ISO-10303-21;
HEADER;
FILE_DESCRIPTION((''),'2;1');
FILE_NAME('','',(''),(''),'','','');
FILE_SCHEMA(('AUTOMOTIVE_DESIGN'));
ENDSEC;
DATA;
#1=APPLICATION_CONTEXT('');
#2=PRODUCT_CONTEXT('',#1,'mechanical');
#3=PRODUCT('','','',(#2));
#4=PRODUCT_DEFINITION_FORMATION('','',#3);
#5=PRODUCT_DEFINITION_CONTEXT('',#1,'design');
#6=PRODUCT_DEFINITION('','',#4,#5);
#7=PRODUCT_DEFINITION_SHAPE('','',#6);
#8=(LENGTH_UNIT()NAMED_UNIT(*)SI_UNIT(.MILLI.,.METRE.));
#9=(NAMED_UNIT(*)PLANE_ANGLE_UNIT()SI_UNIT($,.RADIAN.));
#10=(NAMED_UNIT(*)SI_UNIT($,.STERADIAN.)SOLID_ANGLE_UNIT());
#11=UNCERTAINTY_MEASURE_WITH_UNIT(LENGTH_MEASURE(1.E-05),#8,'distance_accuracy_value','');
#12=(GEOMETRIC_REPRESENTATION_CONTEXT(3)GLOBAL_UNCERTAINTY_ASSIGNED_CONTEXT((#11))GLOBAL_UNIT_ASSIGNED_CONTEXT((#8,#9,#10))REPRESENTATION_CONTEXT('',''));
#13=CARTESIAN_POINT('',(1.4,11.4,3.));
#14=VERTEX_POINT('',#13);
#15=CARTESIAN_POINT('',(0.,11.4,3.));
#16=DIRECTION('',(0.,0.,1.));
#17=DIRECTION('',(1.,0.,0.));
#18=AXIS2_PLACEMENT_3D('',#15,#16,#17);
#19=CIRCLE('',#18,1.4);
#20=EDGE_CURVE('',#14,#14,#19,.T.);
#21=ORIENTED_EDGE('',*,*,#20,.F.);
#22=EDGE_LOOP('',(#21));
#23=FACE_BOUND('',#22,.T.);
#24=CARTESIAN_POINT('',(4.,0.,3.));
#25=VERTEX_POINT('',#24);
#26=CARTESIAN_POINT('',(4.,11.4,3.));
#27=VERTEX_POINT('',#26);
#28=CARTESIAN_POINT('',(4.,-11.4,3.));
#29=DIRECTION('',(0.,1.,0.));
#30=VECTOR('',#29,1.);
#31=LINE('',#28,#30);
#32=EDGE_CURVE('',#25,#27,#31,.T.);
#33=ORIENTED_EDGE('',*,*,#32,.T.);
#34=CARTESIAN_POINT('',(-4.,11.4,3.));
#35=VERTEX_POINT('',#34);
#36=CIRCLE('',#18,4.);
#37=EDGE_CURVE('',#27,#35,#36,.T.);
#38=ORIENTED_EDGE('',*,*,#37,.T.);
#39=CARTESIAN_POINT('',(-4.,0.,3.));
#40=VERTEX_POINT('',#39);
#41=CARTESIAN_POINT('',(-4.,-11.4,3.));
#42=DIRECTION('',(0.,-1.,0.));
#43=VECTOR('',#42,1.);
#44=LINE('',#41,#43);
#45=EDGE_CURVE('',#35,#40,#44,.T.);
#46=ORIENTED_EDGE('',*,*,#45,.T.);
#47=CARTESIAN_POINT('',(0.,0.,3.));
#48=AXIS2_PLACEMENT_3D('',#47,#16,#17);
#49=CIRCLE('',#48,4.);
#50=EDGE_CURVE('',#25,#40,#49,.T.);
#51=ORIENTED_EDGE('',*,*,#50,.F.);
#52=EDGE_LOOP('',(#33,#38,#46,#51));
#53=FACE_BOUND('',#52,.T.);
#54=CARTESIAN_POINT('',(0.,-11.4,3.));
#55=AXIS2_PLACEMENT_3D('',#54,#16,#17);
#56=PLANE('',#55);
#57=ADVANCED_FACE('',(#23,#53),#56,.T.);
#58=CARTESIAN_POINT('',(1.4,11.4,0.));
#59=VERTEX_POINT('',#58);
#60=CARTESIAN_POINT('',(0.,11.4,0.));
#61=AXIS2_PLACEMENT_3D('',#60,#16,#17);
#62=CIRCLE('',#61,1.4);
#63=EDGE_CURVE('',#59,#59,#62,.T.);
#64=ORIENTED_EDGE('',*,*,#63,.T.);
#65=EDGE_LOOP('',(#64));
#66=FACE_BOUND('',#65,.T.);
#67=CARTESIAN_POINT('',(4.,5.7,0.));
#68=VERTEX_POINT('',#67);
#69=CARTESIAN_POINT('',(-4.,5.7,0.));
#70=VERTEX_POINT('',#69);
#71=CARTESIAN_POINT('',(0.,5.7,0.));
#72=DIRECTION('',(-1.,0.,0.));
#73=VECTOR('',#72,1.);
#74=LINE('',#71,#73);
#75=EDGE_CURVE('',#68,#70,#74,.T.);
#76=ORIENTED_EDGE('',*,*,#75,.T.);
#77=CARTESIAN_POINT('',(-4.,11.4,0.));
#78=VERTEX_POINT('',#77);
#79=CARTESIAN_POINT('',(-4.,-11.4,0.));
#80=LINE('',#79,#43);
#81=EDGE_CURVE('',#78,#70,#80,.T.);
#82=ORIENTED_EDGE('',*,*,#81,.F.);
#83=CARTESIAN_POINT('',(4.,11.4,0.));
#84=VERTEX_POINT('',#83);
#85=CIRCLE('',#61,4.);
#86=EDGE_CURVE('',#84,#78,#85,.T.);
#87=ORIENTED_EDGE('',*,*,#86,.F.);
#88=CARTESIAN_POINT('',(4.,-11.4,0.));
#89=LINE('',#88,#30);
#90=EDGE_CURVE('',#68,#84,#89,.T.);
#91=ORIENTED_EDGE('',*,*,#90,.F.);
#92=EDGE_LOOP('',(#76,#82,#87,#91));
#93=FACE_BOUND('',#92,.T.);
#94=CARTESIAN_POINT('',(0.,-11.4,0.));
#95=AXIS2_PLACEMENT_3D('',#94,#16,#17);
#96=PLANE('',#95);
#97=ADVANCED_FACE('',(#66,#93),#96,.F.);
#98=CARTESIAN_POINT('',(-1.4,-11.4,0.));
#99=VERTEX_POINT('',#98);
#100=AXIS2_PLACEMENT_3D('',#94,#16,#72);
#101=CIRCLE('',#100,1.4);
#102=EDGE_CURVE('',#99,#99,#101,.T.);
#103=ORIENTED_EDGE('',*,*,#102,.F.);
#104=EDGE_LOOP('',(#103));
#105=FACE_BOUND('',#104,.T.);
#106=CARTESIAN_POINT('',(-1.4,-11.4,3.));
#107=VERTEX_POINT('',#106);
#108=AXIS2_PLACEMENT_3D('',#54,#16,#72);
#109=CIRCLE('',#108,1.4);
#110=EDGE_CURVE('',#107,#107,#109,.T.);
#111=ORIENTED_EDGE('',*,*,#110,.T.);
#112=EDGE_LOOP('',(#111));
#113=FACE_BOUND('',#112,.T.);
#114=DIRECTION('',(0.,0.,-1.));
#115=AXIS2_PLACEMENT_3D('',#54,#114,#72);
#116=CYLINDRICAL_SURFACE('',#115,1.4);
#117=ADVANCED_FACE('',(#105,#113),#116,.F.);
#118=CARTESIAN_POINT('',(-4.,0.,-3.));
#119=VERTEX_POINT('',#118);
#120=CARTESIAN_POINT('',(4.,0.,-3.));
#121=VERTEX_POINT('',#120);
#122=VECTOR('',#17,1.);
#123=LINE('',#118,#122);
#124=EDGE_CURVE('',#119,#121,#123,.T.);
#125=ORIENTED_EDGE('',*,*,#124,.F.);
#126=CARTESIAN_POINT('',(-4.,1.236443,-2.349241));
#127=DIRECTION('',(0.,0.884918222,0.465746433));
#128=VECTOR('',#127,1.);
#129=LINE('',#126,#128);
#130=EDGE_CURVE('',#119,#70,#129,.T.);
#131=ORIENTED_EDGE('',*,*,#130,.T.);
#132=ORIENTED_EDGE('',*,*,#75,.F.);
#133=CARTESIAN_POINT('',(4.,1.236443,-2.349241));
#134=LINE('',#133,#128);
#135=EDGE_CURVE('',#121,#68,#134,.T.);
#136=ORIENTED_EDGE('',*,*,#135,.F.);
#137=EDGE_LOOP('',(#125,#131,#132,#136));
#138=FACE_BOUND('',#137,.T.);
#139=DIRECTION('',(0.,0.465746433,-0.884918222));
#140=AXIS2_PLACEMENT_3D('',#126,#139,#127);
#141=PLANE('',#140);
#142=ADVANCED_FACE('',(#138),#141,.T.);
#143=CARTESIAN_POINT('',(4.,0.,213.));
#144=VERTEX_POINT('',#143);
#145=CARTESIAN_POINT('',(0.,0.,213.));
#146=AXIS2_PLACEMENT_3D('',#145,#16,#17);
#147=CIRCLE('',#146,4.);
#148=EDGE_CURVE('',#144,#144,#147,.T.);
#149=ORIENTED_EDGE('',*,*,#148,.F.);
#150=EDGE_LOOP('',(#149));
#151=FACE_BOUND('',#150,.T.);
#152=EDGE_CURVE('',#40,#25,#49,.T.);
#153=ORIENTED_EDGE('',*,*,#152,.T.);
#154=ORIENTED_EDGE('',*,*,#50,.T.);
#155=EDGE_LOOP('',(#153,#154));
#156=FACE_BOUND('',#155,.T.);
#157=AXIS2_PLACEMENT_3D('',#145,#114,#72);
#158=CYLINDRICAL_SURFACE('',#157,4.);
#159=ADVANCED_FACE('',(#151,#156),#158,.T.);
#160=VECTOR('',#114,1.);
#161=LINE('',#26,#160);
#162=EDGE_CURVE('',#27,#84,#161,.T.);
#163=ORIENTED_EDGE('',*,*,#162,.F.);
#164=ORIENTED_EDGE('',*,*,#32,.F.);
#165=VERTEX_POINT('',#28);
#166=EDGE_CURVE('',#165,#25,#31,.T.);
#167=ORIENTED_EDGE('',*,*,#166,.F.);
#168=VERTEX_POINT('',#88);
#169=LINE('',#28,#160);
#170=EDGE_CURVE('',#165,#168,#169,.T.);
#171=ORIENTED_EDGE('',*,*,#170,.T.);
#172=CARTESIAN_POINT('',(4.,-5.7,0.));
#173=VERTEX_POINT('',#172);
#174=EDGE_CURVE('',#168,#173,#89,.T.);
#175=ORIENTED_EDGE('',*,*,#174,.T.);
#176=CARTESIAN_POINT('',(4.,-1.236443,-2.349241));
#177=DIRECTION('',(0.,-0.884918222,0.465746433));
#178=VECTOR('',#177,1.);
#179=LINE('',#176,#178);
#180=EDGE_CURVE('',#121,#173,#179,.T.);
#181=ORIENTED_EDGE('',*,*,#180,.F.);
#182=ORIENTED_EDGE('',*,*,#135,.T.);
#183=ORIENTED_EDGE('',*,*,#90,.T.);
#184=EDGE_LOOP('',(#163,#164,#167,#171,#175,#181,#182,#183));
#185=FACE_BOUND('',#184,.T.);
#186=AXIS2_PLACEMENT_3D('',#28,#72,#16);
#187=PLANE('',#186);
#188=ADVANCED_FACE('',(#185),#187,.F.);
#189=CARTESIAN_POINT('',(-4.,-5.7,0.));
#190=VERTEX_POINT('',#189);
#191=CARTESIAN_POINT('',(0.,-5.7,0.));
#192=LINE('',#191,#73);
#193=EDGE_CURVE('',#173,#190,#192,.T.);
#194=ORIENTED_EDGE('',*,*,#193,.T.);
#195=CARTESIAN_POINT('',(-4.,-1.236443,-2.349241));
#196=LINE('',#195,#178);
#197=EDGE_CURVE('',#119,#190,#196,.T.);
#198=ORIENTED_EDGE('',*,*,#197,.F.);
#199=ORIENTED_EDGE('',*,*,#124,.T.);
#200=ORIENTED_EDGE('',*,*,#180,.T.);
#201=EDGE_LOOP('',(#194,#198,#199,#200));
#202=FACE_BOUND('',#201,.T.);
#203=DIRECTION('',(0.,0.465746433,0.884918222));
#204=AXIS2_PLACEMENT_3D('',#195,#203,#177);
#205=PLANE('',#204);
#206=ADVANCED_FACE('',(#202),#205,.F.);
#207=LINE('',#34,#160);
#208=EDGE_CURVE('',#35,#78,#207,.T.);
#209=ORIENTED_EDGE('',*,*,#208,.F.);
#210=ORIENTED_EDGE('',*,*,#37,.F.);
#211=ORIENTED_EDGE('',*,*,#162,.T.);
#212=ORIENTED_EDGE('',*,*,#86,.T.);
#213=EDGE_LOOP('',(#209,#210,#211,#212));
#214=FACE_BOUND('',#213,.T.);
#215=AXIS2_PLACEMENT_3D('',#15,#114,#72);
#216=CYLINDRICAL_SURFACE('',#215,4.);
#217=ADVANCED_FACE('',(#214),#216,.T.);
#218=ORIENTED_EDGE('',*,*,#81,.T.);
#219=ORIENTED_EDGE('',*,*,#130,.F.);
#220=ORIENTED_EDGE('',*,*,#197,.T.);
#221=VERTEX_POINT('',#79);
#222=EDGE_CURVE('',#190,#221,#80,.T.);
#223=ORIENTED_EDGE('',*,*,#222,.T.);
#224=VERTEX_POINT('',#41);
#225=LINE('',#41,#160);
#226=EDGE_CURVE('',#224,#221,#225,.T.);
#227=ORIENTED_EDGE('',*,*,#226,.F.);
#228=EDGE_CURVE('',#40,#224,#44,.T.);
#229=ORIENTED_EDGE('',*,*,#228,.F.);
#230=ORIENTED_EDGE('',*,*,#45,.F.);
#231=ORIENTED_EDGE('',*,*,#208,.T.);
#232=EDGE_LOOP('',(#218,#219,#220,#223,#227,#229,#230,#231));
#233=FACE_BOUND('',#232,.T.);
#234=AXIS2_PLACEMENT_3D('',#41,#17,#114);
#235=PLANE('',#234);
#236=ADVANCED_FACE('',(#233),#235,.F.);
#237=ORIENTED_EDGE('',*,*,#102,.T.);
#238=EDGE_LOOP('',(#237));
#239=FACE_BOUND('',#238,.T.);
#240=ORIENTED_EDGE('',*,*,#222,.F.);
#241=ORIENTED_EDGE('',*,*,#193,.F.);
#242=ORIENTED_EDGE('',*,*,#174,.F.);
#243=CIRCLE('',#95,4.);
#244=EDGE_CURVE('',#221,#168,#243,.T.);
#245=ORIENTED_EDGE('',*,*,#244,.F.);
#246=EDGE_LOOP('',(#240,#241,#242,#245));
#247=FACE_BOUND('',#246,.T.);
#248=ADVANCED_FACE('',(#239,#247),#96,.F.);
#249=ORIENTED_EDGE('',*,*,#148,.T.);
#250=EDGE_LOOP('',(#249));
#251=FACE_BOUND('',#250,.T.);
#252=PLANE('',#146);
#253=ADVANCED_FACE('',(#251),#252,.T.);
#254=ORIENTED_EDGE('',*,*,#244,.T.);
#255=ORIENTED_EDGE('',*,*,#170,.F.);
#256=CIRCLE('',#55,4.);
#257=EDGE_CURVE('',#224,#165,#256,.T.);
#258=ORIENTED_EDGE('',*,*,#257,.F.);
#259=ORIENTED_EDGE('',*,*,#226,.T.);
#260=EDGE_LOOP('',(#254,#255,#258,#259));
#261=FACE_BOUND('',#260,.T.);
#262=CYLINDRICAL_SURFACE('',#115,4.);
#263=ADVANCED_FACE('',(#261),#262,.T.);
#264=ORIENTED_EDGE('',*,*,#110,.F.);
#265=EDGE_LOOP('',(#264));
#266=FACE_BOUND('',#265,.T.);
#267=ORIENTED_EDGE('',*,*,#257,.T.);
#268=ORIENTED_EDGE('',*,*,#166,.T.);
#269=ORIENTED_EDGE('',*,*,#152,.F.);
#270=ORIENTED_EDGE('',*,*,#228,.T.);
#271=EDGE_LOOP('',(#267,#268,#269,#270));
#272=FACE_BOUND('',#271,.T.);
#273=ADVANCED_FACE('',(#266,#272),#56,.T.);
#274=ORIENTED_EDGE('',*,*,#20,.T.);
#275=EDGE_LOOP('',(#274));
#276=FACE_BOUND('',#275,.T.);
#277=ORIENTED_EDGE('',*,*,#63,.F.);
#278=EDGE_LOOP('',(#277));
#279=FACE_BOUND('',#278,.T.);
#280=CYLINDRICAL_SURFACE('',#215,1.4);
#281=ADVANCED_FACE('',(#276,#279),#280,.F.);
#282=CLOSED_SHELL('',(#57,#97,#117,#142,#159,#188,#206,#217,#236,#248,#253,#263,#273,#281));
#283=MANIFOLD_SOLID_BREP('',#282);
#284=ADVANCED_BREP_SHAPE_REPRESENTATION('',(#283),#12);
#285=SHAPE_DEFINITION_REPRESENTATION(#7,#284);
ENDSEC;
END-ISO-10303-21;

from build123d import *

# Parameters (mm, degrees)
SKETCH_1_R          = 1.4
EXTRUDE_1_DEPTH     = 3
SKETCH_2_R          = 4
EXTRUDE_3_DEPTH     = 210
SKETCH_3_W          = 8
SKETCH_3_H          = 5.7
EXTRUDE_4_DEPTH     = 3
CUT_EXTRUDE_1_DEPTH = 214.705779051


with BuildPart() as part:
    # 草图1 → 凸台-拉伸1 (new body)
    with BuildSketch(Plane.XY):
        with BuildLine():
            Line((-4, -11.4), (-4, 11.4))
            ThreePointArc((-4, 11.4), (0, 15.4), (4, 11.4))
            Line((4, 11.4), (4, -11.4))
            ThreePointArc((4, -11.4), (0, -15.4), (-4, -11.4))
        make_face()
        with Locations((0, 11.4)):
            Circle(SKETCH_1_R, mode=Mode.SUBTRACT)
        with Locations(Location((0, -11.4, 0), (0, 0, 180))):
            Circle(SKETCH_1_R, mode=Mode.SUBTRACT)
    extrude(amount=EXTRUDE_1_DEPTH)

    # 草图2 → 凸台-拉伸3 (add)
    with BuildSketch(Plane.XY.offset(3)):
        Circle(SKETCH_2_R)
    extrude(amount=EXTRUDE_3_DEPTH)

    # 草图3 → 凸台-拉伸4 (add)
    with BuildSketch(Plane(origin=(0, 0, 0), x_dir=(-1, 0, 0), z_dir=(0, 0, -1))):
        with Locations((0, 2.85)):
            Rectangle(SKETCH_3_W, SKETCH_3_H)
        with Locations((0, -2.85)):
            Rectangle(SKETCH_3_W, SKETCH_3_H)
    extrude(amount=EXTRUDE_4_DEPTH)

    # 草图5 → 切除-拉伸1 (cut, through all)
    with BuildSketch(Plane(origin=(4, 0, 0), x_dir=(0, 0, -1), z_dir=(1, 0, 0))):
        Polygon((0, 5.7), (3, 0), (3, 5.7), align=None)
        Polygon((3, -5.7), (3, 0), (0, -5.7), align=None)
    extrude(amount=-CUT_EXTRUDE_1_DEPTH, mode=Mode.SUBTRACT)


solid = part.part
